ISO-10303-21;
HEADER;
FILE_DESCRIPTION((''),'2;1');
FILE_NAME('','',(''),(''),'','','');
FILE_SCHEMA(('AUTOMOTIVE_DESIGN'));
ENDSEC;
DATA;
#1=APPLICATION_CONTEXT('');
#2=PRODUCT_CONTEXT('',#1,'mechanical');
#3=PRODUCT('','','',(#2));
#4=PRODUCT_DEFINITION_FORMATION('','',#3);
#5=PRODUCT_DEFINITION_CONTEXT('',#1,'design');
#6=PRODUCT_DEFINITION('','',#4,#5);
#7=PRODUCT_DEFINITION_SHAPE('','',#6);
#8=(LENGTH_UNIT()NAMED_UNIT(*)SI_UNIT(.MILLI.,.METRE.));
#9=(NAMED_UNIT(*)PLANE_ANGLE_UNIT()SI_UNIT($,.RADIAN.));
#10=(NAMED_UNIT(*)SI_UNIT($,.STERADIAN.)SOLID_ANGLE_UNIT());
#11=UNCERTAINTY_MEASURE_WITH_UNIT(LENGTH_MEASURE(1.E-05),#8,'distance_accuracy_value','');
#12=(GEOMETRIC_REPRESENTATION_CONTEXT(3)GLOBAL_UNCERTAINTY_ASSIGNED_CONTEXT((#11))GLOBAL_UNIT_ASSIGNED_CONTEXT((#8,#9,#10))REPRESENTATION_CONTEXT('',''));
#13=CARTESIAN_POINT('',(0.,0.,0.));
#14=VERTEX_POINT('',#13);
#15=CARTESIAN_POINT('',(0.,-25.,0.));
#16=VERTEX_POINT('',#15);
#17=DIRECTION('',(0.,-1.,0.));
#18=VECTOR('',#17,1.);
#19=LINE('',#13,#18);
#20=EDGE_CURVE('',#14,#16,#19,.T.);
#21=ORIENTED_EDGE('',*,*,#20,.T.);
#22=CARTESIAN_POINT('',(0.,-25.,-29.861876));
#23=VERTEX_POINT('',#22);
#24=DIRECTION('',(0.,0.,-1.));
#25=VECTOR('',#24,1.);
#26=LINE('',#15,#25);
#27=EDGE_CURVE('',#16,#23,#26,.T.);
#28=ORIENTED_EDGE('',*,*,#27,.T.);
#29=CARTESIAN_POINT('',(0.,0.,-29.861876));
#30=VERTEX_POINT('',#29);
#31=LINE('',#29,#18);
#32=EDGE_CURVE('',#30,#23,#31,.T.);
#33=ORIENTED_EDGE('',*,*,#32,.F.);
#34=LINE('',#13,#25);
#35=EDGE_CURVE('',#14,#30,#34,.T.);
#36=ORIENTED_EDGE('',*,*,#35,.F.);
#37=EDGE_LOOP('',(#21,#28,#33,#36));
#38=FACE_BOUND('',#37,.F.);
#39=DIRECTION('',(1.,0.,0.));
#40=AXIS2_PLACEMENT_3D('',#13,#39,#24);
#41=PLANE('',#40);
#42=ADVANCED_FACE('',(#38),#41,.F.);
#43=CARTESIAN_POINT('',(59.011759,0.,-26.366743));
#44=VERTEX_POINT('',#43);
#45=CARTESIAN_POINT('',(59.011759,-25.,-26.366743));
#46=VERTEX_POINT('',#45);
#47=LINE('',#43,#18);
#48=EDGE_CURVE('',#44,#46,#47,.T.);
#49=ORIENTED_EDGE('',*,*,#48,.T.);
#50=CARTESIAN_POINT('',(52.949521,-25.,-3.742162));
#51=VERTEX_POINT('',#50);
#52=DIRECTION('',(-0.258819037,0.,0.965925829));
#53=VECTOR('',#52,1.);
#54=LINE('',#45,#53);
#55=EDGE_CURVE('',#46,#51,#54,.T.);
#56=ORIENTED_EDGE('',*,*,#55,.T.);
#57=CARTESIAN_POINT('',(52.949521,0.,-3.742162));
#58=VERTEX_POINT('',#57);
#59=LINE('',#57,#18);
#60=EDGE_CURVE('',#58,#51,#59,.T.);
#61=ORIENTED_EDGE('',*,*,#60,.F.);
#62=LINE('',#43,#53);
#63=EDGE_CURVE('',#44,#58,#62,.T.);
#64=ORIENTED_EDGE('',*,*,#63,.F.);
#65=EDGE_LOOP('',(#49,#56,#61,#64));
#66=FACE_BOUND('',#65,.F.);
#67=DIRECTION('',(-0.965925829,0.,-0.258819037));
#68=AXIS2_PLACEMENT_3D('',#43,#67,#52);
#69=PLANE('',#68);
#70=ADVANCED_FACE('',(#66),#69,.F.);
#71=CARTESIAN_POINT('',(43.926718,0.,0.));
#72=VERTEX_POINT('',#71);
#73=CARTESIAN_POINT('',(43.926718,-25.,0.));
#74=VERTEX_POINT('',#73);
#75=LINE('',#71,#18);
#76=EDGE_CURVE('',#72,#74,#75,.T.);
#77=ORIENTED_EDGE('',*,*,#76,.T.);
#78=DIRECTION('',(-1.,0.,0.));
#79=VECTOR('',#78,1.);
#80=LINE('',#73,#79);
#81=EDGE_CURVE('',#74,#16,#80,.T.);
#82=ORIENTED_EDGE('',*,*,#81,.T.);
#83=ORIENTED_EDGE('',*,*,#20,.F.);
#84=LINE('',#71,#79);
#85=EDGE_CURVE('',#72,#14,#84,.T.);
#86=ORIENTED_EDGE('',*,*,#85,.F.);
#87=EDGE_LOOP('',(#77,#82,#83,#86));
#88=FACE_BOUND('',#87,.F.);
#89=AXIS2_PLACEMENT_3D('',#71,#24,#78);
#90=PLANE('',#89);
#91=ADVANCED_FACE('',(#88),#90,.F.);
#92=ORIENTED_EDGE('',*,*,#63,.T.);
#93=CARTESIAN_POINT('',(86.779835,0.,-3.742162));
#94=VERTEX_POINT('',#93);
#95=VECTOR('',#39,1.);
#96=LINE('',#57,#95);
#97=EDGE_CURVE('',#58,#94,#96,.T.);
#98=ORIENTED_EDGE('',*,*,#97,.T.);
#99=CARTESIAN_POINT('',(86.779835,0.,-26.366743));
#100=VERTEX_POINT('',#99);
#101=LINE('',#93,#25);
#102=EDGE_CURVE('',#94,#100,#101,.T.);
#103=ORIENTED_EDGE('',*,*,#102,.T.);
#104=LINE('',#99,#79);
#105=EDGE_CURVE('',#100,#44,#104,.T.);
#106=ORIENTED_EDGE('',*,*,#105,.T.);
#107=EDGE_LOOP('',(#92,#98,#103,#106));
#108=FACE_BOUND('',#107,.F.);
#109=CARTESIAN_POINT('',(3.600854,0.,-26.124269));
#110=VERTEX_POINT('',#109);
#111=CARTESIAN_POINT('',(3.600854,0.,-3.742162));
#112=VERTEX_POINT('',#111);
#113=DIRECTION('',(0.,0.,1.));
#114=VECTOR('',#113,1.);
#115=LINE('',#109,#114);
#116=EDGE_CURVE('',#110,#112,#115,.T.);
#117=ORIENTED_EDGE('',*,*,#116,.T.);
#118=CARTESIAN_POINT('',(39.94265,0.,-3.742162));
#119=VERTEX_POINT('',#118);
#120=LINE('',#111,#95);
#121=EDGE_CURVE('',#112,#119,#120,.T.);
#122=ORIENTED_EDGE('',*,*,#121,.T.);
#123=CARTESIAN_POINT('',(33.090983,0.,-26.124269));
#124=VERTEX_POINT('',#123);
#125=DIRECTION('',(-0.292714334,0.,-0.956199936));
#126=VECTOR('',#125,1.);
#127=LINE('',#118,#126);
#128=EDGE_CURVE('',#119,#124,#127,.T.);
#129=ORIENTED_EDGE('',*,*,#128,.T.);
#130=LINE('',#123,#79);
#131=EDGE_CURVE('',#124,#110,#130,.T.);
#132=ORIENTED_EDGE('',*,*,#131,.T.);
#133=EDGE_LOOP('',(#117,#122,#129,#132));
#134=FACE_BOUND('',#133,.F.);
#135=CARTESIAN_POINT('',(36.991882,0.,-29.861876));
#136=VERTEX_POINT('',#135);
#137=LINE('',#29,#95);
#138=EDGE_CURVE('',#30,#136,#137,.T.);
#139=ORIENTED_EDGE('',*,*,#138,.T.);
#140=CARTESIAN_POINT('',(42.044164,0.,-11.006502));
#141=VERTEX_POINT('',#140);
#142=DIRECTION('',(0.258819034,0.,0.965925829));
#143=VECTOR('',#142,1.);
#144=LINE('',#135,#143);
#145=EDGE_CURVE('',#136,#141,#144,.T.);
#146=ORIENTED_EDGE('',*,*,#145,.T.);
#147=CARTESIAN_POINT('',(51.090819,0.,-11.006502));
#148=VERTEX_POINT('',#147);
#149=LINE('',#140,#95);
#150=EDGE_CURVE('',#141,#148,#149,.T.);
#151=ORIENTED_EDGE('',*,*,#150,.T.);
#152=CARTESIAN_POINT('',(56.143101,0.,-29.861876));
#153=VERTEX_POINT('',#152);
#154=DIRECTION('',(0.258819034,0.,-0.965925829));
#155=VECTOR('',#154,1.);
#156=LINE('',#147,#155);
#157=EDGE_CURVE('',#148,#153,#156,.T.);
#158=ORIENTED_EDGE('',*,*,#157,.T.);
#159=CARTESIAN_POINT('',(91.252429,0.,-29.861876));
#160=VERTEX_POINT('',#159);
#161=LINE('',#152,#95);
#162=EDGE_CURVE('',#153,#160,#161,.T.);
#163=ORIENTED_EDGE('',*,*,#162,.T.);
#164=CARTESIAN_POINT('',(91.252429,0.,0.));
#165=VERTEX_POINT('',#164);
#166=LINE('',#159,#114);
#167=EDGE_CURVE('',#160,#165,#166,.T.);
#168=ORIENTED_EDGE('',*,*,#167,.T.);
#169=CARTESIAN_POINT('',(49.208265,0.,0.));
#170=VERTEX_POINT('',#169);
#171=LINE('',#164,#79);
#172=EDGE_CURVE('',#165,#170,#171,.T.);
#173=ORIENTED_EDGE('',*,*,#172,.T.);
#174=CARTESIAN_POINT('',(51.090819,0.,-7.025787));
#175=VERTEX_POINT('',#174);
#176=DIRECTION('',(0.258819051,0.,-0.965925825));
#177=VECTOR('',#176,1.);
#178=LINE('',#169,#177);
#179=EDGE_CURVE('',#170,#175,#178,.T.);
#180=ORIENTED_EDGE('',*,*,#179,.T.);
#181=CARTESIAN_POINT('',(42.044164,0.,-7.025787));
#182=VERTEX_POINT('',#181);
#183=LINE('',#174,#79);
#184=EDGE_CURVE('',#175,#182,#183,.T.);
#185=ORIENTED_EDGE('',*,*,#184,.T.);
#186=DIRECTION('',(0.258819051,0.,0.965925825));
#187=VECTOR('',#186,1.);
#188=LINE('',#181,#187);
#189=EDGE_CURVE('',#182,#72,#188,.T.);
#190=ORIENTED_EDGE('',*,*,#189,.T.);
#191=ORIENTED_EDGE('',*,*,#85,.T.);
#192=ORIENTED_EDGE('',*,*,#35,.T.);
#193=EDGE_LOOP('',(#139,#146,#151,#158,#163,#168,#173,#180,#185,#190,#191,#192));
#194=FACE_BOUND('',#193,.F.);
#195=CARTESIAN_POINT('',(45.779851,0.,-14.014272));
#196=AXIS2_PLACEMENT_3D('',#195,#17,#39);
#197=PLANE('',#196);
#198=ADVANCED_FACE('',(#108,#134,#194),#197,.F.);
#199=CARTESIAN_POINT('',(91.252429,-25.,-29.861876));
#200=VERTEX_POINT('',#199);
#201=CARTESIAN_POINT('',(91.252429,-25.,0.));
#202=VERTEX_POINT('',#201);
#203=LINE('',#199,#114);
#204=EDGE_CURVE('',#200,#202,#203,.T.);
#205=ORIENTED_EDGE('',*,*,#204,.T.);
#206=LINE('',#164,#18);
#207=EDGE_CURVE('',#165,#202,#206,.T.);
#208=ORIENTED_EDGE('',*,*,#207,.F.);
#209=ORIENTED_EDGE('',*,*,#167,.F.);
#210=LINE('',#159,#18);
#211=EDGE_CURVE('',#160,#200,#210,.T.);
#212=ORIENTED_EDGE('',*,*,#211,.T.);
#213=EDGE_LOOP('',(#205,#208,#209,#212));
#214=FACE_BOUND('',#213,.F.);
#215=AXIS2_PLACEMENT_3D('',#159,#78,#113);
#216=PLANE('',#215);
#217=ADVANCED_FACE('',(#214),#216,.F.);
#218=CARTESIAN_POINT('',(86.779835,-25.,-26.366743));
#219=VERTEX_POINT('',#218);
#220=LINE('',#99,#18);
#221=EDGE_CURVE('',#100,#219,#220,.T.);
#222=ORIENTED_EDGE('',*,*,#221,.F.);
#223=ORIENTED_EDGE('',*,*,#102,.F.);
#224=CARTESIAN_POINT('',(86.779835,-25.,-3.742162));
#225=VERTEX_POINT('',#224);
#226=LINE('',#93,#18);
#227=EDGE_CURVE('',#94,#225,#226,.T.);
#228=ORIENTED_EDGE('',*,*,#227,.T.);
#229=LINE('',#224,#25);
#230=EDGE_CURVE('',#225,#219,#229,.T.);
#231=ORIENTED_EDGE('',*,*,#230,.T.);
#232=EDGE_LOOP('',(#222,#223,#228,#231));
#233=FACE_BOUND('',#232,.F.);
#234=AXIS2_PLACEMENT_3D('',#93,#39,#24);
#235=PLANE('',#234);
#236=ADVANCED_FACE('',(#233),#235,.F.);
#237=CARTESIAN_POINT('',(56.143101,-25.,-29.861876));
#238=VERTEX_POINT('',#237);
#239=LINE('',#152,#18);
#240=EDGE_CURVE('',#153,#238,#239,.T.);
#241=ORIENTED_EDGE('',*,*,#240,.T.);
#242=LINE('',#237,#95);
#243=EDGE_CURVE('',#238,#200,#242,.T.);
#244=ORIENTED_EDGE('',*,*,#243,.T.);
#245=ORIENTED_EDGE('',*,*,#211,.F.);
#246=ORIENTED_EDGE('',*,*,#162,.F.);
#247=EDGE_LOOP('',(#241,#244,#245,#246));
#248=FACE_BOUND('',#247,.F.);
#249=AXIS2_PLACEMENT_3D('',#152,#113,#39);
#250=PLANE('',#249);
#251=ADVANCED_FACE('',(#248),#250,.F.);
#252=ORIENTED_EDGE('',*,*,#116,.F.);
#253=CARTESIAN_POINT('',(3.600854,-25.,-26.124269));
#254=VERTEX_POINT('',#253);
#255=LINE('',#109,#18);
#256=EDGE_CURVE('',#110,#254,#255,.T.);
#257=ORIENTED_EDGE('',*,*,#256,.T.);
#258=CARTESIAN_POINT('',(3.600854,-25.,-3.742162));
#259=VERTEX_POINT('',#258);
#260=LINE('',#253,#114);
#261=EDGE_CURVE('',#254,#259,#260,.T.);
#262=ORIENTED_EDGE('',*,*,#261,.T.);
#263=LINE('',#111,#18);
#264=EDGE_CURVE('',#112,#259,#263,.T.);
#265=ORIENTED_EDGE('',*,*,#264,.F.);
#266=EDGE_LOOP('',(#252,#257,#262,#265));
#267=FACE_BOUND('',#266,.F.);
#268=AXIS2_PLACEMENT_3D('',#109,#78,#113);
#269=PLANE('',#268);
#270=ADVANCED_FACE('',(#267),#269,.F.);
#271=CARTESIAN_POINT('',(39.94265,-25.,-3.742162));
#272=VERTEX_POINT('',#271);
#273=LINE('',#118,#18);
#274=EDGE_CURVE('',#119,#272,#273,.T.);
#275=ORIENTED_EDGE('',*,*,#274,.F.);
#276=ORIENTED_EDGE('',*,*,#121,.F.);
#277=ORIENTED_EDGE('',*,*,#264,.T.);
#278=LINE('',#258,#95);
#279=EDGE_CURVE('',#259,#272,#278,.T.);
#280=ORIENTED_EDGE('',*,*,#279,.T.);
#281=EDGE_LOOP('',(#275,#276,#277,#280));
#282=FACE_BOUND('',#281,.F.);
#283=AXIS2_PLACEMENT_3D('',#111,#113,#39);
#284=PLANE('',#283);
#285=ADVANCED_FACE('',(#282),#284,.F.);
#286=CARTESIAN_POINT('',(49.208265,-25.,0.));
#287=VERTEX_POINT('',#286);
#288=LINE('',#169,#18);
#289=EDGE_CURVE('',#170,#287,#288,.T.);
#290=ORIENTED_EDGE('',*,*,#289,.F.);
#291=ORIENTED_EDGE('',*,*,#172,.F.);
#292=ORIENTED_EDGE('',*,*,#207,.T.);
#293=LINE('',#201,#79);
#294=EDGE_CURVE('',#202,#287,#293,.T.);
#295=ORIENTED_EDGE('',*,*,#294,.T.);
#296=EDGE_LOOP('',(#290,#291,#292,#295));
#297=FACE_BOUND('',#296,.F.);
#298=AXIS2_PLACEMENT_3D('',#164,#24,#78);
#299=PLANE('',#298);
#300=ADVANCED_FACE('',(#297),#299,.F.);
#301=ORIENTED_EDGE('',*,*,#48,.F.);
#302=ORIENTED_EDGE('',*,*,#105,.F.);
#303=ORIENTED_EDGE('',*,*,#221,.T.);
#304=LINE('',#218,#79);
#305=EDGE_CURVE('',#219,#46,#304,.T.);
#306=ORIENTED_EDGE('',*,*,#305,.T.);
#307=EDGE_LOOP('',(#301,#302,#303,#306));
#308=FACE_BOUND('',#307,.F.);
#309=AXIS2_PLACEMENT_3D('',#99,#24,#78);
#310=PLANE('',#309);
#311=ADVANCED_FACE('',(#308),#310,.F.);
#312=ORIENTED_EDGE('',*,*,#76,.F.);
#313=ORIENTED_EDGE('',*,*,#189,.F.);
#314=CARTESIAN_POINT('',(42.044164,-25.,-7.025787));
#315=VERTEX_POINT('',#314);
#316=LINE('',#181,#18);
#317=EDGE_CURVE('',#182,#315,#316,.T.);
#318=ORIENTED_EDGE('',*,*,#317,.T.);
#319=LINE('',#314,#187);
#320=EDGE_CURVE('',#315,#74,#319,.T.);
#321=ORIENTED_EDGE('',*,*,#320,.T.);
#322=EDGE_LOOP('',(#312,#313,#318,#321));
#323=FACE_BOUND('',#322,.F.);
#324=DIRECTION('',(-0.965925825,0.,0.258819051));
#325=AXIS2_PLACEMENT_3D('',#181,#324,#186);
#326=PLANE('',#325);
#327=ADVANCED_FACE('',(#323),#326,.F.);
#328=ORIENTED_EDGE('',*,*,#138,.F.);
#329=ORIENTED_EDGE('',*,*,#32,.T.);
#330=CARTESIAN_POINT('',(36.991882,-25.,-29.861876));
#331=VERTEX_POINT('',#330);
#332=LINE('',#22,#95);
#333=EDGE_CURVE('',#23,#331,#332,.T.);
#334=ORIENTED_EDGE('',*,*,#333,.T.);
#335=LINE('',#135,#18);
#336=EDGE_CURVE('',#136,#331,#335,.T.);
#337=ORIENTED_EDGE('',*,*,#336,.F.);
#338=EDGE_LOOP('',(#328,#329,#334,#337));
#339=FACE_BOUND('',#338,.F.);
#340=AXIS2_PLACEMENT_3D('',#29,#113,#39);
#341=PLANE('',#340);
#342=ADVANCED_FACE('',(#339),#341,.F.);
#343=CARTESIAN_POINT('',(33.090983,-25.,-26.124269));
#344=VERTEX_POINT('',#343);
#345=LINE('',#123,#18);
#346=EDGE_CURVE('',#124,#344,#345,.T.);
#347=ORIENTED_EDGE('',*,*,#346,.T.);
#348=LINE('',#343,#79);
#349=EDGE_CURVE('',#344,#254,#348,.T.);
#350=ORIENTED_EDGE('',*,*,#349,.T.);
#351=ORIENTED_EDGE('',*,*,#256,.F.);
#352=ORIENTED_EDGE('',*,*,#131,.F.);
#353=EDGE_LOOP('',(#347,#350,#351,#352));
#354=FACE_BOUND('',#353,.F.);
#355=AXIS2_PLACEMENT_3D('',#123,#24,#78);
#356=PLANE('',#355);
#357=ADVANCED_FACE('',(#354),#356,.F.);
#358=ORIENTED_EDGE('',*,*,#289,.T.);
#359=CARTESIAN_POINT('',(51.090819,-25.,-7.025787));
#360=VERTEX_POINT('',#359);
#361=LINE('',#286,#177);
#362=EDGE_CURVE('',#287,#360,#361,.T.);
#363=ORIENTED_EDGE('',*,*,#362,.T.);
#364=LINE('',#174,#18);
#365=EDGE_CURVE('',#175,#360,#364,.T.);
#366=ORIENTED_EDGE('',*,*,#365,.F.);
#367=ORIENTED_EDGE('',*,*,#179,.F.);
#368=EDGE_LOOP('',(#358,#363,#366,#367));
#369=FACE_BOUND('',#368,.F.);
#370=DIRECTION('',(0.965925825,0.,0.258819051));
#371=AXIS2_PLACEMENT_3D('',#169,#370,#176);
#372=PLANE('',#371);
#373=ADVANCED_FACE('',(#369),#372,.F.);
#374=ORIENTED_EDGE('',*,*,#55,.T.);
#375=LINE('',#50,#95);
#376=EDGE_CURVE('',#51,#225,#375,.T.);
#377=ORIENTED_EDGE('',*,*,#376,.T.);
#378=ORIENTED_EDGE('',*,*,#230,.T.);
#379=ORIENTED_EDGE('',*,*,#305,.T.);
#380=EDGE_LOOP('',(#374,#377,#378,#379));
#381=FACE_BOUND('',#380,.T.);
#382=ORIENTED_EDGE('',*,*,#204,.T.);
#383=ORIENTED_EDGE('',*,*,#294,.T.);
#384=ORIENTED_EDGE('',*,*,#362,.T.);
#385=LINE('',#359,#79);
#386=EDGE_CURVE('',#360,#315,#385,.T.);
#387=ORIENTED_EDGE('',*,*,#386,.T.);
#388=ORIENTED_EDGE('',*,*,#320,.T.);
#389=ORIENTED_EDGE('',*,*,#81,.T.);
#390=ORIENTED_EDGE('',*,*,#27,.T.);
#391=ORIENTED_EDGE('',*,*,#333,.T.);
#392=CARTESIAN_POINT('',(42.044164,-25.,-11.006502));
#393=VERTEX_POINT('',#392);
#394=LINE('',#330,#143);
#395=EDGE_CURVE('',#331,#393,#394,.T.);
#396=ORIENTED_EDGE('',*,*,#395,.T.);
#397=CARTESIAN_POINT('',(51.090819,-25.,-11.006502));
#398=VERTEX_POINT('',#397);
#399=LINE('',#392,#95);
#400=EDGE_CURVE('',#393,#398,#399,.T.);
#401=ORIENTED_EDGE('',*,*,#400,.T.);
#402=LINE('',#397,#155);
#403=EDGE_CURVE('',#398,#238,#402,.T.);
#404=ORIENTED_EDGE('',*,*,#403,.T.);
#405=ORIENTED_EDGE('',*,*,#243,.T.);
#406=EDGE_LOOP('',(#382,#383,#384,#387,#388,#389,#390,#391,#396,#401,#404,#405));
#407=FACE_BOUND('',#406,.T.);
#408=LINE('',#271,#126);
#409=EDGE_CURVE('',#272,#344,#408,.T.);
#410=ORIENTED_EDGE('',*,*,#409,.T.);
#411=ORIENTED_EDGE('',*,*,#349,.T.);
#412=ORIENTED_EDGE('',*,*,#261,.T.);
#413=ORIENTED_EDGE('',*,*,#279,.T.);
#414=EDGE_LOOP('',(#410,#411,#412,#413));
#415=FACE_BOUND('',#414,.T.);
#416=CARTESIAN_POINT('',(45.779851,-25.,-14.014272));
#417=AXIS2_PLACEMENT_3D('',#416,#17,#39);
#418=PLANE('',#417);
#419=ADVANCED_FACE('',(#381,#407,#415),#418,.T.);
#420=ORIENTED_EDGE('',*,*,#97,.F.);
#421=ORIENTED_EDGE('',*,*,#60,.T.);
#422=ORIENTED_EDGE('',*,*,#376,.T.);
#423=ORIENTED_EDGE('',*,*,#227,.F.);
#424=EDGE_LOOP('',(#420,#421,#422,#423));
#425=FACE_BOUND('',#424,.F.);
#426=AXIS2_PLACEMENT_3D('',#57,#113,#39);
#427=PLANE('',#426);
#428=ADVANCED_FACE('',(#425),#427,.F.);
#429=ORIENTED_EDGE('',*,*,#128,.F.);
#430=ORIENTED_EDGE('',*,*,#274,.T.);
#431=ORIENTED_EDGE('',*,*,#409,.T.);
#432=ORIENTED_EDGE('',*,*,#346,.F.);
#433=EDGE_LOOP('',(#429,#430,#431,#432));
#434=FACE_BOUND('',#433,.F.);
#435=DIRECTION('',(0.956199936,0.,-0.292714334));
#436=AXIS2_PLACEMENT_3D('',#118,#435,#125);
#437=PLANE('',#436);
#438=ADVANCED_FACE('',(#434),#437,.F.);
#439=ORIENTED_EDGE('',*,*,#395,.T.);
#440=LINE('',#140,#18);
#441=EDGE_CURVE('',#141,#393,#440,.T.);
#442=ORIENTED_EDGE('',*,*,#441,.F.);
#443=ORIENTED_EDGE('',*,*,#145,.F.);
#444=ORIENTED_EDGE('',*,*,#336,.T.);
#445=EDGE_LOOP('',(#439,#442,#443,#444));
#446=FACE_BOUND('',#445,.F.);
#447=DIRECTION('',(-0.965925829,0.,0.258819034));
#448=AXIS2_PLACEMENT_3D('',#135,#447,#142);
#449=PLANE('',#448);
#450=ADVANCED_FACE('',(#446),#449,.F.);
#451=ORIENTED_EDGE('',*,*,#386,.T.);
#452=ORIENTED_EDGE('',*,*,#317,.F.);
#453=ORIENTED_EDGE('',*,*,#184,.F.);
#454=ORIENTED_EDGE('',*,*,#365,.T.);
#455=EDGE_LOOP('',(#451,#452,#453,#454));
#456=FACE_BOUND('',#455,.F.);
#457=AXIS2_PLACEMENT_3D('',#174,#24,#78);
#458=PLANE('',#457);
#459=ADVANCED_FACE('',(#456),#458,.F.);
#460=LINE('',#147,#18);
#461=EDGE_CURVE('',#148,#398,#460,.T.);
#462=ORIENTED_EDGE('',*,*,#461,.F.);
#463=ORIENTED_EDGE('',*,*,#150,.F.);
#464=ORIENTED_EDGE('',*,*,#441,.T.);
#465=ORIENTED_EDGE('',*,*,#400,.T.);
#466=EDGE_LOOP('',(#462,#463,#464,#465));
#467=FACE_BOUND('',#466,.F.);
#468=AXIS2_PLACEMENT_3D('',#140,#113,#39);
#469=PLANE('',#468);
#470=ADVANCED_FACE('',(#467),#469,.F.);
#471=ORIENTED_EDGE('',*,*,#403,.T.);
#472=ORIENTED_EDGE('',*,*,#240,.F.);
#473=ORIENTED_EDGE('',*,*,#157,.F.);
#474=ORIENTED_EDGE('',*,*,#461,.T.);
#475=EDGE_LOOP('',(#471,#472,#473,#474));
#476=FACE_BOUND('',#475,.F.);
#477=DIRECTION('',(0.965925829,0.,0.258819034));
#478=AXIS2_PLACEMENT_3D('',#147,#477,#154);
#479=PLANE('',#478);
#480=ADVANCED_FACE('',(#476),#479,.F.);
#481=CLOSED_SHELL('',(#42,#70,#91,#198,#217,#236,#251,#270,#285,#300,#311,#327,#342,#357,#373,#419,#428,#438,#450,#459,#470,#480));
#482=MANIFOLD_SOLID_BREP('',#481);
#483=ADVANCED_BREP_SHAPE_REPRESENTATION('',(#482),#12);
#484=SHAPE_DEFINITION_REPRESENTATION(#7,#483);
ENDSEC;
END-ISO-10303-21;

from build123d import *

# Parameters (mm, degrees)
F1_DEPTH = 25


with BuildPart() as f1:
    # F0 (on Front) → F1 (new body)
    with BuildSketch(Plane.XZ):
        Polygon((42.044164, -7.025787), (43.926718, 0), (0, 0), (0, -29.861876), (36.991882, -29.861876), (42.044164, -11.006502), (51.090819, -11.006502), (56.143101, -29.861876), (91.252429, -29.861876), (91.252429, 0), (49.208265, 0), (51.090819, -7.025787), align=None)
        Polygon((3.600854, -26.124269), (3.600854, -3.742162), (39.94265, -3.742162), (33.090983, -26.124269), align=None, mode=Mode.SUBTRACT)
        Polygon((52.949521, -3.742162), (86.779835, -3.742162), (86.779835, -26.366743), (59.011759, -26.366743), align=None, mode=Mode.SUBTRACT)
    extrude(amount=F1_DEPTH)


solid = f1.part
